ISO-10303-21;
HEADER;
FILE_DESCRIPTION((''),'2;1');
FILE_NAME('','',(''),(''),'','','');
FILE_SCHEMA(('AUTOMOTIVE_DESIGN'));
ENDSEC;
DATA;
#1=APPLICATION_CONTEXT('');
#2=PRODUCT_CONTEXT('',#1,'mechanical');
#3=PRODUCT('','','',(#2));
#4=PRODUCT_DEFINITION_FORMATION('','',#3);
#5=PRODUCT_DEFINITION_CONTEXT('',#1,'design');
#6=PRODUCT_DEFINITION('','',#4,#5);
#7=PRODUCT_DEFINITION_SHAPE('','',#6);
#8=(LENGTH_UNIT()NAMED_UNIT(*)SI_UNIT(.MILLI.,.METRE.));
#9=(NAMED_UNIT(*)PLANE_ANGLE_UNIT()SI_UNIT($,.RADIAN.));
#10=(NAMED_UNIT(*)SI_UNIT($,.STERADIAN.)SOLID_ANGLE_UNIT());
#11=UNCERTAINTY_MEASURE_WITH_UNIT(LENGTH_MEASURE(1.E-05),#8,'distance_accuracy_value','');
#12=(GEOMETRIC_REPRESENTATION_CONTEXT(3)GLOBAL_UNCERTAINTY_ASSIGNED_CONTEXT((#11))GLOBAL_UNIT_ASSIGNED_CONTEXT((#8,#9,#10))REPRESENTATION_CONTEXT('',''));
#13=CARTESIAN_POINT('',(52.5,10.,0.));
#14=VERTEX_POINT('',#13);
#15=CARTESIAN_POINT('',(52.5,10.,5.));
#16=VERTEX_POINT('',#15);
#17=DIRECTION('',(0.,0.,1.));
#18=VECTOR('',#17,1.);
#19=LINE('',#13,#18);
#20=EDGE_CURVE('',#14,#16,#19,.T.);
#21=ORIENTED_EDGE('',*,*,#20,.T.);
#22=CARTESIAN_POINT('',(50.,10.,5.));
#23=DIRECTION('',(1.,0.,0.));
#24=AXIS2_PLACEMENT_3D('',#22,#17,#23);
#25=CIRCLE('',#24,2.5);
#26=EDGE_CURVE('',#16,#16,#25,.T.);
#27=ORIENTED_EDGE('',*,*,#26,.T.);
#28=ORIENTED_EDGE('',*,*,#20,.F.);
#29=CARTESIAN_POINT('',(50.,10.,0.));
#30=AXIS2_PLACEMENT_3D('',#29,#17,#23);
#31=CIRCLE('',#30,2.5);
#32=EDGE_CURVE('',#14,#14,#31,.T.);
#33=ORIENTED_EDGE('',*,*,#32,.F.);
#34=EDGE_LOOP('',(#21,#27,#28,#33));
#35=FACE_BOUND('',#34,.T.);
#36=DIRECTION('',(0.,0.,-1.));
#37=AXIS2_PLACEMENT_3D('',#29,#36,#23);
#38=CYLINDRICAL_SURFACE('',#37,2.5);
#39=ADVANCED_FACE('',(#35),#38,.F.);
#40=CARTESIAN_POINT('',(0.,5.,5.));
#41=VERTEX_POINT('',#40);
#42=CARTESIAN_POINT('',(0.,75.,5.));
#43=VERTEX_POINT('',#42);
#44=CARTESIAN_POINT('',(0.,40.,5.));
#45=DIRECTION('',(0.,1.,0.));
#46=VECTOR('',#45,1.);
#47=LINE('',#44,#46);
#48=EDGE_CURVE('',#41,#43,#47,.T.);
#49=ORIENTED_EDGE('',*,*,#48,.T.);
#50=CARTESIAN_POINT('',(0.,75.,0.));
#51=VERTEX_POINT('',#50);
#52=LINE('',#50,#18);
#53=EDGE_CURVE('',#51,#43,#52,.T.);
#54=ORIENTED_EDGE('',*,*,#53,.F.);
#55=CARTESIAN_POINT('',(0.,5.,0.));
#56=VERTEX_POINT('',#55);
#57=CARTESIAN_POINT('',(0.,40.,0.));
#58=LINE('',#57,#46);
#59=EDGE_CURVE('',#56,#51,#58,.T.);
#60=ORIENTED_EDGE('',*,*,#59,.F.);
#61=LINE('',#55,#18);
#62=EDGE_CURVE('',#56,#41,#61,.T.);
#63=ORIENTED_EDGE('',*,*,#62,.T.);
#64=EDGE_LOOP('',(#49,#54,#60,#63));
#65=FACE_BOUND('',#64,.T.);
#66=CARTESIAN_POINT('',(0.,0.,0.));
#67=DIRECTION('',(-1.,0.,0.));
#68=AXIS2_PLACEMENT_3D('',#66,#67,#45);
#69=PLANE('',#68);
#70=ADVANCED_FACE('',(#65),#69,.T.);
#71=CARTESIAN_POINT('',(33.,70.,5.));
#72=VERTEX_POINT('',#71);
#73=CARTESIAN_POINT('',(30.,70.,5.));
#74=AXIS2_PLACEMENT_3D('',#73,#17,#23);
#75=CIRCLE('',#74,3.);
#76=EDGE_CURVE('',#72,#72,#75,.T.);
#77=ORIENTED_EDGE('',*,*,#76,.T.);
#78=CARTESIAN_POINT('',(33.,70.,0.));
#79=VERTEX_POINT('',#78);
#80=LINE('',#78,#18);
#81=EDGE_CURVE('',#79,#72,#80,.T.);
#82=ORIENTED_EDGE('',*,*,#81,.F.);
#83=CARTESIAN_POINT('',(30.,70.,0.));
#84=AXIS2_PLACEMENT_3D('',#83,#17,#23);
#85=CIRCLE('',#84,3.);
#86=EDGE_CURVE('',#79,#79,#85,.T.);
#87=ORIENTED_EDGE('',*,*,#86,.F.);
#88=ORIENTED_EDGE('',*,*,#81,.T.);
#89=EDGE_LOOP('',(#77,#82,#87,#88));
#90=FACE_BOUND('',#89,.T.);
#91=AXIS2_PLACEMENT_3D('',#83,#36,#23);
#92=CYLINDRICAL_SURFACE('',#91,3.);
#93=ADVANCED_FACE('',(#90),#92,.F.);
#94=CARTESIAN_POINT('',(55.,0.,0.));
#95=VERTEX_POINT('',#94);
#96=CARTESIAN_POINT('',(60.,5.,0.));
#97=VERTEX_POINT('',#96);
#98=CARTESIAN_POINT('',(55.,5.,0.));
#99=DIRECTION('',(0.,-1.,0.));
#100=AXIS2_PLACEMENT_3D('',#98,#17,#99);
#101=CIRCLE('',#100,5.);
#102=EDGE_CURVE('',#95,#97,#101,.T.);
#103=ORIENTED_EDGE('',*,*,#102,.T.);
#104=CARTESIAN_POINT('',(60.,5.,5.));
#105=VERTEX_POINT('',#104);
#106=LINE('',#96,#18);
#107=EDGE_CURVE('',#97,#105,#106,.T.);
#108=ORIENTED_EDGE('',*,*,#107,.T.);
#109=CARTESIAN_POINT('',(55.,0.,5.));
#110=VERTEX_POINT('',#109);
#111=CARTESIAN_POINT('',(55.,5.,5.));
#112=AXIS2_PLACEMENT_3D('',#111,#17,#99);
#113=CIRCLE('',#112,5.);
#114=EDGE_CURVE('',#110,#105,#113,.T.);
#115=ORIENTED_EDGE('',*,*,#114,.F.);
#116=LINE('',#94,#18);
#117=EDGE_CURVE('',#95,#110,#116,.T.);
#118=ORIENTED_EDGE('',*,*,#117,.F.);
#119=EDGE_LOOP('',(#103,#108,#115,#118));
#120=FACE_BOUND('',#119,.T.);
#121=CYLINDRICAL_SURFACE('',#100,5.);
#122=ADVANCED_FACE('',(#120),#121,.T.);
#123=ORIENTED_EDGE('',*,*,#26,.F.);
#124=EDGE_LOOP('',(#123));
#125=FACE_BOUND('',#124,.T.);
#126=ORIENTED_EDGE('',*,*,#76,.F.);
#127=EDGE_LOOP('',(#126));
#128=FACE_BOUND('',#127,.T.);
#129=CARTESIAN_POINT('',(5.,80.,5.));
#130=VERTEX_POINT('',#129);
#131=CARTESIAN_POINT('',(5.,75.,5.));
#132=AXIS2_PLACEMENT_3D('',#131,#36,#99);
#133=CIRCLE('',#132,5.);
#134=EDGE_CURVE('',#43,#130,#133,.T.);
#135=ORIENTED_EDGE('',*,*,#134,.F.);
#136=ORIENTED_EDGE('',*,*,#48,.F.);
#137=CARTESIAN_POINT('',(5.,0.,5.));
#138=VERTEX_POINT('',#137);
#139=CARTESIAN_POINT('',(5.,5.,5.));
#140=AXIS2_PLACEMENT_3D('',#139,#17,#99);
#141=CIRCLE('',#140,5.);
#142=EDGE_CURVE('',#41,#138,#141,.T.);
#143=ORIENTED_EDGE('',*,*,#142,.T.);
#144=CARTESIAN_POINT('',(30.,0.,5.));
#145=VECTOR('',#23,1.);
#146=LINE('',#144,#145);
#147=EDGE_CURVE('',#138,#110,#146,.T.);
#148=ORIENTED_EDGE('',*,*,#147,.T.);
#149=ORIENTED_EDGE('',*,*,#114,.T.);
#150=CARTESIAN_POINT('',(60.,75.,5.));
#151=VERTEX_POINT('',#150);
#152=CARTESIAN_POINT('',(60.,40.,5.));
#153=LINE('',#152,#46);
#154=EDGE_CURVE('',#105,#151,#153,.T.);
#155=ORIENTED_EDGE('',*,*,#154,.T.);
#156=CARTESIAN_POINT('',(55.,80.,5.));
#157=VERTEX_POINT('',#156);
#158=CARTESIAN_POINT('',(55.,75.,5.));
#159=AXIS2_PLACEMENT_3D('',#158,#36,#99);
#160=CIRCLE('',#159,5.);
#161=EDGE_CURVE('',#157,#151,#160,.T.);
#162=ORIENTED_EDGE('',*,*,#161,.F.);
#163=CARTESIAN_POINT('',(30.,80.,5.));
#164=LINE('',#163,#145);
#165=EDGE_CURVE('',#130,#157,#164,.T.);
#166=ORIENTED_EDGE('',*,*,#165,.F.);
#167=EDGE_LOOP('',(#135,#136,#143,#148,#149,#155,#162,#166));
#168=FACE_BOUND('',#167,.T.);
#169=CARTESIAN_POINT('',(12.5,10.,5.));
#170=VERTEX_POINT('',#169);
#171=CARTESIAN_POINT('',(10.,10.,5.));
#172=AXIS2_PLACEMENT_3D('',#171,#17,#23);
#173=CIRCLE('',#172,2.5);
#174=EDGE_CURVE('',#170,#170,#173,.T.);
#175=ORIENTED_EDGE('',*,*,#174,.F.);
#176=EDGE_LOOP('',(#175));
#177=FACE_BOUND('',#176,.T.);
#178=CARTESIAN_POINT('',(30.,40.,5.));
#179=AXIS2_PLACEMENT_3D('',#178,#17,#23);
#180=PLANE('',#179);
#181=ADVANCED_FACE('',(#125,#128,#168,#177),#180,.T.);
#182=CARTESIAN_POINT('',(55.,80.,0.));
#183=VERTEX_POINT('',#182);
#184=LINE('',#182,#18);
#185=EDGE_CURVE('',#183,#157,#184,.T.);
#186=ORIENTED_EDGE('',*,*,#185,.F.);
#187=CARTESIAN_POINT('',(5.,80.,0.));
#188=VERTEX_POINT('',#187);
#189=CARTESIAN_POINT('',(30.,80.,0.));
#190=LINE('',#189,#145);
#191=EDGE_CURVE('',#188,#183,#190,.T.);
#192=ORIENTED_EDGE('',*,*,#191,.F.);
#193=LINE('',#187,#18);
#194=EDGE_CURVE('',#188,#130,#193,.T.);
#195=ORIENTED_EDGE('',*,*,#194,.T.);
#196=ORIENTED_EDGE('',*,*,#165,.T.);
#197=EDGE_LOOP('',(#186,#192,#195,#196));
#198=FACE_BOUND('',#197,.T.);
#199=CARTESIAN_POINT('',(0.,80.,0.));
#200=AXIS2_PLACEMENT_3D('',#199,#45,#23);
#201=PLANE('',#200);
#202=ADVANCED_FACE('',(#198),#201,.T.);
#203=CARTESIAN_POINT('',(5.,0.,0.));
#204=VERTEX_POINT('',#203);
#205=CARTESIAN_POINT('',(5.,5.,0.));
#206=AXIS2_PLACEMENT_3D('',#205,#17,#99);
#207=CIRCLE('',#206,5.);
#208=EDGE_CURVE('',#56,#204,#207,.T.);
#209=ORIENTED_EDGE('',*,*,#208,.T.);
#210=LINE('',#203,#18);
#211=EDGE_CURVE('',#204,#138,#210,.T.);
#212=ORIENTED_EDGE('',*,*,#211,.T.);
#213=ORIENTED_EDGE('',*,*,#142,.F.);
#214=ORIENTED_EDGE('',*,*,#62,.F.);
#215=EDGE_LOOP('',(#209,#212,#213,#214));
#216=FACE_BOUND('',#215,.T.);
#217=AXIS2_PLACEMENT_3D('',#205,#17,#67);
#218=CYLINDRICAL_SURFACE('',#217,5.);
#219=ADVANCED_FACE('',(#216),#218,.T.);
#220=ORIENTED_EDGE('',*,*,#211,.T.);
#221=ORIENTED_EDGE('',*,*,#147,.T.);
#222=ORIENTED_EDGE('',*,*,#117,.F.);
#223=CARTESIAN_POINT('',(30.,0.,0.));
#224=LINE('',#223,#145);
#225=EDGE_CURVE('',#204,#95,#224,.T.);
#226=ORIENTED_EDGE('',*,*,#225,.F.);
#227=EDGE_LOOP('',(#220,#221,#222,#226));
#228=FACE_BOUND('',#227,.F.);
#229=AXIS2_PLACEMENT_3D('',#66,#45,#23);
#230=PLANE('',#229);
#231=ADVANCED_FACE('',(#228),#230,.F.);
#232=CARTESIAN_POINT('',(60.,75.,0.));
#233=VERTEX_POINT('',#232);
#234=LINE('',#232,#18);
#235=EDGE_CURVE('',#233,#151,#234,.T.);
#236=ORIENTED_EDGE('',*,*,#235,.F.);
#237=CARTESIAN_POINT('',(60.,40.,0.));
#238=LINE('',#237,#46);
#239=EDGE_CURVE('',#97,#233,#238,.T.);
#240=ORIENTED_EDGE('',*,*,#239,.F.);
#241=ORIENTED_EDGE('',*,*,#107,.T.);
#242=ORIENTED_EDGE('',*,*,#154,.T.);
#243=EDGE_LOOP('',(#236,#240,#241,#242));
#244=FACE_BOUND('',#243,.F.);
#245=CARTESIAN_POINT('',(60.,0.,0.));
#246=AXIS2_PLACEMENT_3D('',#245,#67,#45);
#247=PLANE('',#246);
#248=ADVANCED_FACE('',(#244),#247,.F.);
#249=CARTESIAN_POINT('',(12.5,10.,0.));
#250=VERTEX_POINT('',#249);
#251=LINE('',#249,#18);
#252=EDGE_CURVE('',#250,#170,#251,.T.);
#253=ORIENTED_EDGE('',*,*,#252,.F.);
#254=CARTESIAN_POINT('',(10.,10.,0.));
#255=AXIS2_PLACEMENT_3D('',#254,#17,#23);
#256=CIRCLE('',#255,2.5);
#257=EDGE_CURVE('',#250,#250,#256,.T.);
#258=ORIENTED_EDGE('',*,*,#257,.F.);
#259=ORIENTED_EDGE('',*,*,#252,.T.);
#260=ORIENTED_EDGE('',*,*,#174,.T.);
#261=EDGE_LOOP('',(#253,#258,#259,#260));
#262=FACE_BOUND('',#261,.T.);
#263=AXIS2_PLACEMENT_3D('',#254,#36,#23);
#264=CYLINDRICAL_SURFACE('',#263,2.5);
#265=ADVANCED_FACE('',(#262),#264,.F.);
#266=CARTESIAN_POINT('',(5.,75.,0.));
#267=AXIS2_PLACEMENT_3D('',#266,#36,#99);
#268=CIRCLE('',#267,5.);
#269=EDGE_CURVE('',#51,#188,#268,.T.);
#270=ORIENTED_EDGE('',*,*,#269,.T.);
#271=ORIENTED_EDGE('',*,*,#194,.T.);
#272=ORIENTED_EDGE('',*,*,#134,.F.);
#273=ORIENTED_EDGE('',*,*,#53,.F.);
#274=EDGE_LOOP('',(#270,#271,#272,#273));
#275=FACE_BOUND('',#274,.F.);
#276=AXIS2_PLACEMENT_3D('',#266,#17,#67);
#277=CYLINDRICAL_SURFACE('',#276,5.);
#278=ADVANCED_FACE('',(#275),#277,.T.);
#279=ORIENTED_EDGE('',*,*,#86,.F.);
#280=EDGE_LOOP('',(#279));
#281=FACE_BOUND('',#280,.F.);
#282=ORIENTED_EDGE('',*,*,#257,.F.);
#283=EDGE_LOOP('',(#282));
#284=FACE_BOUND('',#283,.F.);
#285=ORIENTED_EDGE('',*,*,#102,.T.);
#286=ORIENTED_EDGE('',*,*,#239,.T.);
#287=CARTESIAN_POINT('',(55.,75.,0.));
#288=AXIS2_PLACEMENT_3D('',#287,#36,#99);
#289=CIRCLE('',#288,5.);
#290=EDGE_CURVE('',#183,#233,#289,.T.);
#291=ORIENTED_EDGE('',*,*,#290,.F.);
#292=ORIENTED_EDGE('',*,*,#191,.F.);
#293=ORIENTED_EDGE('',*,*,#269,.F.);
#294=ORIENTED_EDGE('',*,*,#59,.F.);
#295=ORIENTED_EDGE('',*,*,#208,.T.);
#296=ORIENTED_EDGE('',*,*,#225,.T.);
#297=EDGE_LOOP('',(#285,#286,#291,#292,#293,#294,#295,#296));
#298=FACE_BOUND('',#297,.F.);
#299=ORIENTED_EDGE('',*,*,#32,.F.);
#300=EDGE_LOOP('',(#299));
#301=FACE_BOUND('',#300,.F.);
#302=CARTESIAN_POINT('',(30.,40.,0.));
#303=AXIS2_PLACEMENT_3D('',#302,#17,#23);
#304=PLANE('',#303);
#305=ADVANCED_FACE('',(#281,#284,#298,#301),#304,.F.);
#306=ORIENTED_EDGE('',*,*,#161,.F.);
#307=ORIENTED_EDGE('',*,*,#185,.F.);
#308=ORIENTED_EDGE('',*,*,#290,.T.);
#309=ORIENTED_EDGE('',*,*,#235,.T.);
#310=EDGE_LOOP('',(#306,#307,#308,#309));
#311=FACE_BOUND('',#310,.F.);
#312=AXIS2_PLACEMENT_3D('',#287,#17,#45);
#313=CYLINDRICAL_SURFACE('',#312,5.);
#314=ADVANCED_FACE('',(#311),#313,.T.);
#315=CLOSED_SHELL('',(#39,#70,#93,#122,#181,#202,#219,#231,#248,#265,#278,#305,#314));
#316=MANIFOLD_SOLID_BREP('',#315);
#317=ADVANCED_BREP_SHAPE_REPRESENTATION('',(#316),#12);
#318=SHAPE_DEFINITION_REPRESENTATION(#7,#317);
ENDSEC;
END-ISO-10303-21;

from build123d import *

# Parameters (mm, degrees)
F0_W     = 60
F0_H     = 80
F0_R     = 2.5
F0_R_2   = 3
F1_DEPTH = 5
F2_R     = 5


with BuildPart() as f1:
    # F0 (on Top) → F1 (new body)
    with BuildSketch(Plane.XY):
        with Locations((30, 40)):
            Rectangle(F0_W, F0_H)
        with Locations((10, 10)):
            Circle(F0_R, mode=Mode.SUBTRACT)
        with Locations((50, 10)):
            Circle(F0_R, mode=Mode.SUBTRACT)
        with Locations((30, 70)):
            Circle(F0_R_2, mode=Mode.SUBTRACT)
    extrude(amount=F1_DEPTH)

    # F2
    f2_edges = [f1.edges().sort_by_distance(p)[0] for p in [
        (60, 80, 2.5),
        (0, 80, 2.5),
        (0, 0, 2.5),
        (60, 0, 2.5),
    ]]
    fillet(f2_edges, radius=F2_R)


solid = f1.part
